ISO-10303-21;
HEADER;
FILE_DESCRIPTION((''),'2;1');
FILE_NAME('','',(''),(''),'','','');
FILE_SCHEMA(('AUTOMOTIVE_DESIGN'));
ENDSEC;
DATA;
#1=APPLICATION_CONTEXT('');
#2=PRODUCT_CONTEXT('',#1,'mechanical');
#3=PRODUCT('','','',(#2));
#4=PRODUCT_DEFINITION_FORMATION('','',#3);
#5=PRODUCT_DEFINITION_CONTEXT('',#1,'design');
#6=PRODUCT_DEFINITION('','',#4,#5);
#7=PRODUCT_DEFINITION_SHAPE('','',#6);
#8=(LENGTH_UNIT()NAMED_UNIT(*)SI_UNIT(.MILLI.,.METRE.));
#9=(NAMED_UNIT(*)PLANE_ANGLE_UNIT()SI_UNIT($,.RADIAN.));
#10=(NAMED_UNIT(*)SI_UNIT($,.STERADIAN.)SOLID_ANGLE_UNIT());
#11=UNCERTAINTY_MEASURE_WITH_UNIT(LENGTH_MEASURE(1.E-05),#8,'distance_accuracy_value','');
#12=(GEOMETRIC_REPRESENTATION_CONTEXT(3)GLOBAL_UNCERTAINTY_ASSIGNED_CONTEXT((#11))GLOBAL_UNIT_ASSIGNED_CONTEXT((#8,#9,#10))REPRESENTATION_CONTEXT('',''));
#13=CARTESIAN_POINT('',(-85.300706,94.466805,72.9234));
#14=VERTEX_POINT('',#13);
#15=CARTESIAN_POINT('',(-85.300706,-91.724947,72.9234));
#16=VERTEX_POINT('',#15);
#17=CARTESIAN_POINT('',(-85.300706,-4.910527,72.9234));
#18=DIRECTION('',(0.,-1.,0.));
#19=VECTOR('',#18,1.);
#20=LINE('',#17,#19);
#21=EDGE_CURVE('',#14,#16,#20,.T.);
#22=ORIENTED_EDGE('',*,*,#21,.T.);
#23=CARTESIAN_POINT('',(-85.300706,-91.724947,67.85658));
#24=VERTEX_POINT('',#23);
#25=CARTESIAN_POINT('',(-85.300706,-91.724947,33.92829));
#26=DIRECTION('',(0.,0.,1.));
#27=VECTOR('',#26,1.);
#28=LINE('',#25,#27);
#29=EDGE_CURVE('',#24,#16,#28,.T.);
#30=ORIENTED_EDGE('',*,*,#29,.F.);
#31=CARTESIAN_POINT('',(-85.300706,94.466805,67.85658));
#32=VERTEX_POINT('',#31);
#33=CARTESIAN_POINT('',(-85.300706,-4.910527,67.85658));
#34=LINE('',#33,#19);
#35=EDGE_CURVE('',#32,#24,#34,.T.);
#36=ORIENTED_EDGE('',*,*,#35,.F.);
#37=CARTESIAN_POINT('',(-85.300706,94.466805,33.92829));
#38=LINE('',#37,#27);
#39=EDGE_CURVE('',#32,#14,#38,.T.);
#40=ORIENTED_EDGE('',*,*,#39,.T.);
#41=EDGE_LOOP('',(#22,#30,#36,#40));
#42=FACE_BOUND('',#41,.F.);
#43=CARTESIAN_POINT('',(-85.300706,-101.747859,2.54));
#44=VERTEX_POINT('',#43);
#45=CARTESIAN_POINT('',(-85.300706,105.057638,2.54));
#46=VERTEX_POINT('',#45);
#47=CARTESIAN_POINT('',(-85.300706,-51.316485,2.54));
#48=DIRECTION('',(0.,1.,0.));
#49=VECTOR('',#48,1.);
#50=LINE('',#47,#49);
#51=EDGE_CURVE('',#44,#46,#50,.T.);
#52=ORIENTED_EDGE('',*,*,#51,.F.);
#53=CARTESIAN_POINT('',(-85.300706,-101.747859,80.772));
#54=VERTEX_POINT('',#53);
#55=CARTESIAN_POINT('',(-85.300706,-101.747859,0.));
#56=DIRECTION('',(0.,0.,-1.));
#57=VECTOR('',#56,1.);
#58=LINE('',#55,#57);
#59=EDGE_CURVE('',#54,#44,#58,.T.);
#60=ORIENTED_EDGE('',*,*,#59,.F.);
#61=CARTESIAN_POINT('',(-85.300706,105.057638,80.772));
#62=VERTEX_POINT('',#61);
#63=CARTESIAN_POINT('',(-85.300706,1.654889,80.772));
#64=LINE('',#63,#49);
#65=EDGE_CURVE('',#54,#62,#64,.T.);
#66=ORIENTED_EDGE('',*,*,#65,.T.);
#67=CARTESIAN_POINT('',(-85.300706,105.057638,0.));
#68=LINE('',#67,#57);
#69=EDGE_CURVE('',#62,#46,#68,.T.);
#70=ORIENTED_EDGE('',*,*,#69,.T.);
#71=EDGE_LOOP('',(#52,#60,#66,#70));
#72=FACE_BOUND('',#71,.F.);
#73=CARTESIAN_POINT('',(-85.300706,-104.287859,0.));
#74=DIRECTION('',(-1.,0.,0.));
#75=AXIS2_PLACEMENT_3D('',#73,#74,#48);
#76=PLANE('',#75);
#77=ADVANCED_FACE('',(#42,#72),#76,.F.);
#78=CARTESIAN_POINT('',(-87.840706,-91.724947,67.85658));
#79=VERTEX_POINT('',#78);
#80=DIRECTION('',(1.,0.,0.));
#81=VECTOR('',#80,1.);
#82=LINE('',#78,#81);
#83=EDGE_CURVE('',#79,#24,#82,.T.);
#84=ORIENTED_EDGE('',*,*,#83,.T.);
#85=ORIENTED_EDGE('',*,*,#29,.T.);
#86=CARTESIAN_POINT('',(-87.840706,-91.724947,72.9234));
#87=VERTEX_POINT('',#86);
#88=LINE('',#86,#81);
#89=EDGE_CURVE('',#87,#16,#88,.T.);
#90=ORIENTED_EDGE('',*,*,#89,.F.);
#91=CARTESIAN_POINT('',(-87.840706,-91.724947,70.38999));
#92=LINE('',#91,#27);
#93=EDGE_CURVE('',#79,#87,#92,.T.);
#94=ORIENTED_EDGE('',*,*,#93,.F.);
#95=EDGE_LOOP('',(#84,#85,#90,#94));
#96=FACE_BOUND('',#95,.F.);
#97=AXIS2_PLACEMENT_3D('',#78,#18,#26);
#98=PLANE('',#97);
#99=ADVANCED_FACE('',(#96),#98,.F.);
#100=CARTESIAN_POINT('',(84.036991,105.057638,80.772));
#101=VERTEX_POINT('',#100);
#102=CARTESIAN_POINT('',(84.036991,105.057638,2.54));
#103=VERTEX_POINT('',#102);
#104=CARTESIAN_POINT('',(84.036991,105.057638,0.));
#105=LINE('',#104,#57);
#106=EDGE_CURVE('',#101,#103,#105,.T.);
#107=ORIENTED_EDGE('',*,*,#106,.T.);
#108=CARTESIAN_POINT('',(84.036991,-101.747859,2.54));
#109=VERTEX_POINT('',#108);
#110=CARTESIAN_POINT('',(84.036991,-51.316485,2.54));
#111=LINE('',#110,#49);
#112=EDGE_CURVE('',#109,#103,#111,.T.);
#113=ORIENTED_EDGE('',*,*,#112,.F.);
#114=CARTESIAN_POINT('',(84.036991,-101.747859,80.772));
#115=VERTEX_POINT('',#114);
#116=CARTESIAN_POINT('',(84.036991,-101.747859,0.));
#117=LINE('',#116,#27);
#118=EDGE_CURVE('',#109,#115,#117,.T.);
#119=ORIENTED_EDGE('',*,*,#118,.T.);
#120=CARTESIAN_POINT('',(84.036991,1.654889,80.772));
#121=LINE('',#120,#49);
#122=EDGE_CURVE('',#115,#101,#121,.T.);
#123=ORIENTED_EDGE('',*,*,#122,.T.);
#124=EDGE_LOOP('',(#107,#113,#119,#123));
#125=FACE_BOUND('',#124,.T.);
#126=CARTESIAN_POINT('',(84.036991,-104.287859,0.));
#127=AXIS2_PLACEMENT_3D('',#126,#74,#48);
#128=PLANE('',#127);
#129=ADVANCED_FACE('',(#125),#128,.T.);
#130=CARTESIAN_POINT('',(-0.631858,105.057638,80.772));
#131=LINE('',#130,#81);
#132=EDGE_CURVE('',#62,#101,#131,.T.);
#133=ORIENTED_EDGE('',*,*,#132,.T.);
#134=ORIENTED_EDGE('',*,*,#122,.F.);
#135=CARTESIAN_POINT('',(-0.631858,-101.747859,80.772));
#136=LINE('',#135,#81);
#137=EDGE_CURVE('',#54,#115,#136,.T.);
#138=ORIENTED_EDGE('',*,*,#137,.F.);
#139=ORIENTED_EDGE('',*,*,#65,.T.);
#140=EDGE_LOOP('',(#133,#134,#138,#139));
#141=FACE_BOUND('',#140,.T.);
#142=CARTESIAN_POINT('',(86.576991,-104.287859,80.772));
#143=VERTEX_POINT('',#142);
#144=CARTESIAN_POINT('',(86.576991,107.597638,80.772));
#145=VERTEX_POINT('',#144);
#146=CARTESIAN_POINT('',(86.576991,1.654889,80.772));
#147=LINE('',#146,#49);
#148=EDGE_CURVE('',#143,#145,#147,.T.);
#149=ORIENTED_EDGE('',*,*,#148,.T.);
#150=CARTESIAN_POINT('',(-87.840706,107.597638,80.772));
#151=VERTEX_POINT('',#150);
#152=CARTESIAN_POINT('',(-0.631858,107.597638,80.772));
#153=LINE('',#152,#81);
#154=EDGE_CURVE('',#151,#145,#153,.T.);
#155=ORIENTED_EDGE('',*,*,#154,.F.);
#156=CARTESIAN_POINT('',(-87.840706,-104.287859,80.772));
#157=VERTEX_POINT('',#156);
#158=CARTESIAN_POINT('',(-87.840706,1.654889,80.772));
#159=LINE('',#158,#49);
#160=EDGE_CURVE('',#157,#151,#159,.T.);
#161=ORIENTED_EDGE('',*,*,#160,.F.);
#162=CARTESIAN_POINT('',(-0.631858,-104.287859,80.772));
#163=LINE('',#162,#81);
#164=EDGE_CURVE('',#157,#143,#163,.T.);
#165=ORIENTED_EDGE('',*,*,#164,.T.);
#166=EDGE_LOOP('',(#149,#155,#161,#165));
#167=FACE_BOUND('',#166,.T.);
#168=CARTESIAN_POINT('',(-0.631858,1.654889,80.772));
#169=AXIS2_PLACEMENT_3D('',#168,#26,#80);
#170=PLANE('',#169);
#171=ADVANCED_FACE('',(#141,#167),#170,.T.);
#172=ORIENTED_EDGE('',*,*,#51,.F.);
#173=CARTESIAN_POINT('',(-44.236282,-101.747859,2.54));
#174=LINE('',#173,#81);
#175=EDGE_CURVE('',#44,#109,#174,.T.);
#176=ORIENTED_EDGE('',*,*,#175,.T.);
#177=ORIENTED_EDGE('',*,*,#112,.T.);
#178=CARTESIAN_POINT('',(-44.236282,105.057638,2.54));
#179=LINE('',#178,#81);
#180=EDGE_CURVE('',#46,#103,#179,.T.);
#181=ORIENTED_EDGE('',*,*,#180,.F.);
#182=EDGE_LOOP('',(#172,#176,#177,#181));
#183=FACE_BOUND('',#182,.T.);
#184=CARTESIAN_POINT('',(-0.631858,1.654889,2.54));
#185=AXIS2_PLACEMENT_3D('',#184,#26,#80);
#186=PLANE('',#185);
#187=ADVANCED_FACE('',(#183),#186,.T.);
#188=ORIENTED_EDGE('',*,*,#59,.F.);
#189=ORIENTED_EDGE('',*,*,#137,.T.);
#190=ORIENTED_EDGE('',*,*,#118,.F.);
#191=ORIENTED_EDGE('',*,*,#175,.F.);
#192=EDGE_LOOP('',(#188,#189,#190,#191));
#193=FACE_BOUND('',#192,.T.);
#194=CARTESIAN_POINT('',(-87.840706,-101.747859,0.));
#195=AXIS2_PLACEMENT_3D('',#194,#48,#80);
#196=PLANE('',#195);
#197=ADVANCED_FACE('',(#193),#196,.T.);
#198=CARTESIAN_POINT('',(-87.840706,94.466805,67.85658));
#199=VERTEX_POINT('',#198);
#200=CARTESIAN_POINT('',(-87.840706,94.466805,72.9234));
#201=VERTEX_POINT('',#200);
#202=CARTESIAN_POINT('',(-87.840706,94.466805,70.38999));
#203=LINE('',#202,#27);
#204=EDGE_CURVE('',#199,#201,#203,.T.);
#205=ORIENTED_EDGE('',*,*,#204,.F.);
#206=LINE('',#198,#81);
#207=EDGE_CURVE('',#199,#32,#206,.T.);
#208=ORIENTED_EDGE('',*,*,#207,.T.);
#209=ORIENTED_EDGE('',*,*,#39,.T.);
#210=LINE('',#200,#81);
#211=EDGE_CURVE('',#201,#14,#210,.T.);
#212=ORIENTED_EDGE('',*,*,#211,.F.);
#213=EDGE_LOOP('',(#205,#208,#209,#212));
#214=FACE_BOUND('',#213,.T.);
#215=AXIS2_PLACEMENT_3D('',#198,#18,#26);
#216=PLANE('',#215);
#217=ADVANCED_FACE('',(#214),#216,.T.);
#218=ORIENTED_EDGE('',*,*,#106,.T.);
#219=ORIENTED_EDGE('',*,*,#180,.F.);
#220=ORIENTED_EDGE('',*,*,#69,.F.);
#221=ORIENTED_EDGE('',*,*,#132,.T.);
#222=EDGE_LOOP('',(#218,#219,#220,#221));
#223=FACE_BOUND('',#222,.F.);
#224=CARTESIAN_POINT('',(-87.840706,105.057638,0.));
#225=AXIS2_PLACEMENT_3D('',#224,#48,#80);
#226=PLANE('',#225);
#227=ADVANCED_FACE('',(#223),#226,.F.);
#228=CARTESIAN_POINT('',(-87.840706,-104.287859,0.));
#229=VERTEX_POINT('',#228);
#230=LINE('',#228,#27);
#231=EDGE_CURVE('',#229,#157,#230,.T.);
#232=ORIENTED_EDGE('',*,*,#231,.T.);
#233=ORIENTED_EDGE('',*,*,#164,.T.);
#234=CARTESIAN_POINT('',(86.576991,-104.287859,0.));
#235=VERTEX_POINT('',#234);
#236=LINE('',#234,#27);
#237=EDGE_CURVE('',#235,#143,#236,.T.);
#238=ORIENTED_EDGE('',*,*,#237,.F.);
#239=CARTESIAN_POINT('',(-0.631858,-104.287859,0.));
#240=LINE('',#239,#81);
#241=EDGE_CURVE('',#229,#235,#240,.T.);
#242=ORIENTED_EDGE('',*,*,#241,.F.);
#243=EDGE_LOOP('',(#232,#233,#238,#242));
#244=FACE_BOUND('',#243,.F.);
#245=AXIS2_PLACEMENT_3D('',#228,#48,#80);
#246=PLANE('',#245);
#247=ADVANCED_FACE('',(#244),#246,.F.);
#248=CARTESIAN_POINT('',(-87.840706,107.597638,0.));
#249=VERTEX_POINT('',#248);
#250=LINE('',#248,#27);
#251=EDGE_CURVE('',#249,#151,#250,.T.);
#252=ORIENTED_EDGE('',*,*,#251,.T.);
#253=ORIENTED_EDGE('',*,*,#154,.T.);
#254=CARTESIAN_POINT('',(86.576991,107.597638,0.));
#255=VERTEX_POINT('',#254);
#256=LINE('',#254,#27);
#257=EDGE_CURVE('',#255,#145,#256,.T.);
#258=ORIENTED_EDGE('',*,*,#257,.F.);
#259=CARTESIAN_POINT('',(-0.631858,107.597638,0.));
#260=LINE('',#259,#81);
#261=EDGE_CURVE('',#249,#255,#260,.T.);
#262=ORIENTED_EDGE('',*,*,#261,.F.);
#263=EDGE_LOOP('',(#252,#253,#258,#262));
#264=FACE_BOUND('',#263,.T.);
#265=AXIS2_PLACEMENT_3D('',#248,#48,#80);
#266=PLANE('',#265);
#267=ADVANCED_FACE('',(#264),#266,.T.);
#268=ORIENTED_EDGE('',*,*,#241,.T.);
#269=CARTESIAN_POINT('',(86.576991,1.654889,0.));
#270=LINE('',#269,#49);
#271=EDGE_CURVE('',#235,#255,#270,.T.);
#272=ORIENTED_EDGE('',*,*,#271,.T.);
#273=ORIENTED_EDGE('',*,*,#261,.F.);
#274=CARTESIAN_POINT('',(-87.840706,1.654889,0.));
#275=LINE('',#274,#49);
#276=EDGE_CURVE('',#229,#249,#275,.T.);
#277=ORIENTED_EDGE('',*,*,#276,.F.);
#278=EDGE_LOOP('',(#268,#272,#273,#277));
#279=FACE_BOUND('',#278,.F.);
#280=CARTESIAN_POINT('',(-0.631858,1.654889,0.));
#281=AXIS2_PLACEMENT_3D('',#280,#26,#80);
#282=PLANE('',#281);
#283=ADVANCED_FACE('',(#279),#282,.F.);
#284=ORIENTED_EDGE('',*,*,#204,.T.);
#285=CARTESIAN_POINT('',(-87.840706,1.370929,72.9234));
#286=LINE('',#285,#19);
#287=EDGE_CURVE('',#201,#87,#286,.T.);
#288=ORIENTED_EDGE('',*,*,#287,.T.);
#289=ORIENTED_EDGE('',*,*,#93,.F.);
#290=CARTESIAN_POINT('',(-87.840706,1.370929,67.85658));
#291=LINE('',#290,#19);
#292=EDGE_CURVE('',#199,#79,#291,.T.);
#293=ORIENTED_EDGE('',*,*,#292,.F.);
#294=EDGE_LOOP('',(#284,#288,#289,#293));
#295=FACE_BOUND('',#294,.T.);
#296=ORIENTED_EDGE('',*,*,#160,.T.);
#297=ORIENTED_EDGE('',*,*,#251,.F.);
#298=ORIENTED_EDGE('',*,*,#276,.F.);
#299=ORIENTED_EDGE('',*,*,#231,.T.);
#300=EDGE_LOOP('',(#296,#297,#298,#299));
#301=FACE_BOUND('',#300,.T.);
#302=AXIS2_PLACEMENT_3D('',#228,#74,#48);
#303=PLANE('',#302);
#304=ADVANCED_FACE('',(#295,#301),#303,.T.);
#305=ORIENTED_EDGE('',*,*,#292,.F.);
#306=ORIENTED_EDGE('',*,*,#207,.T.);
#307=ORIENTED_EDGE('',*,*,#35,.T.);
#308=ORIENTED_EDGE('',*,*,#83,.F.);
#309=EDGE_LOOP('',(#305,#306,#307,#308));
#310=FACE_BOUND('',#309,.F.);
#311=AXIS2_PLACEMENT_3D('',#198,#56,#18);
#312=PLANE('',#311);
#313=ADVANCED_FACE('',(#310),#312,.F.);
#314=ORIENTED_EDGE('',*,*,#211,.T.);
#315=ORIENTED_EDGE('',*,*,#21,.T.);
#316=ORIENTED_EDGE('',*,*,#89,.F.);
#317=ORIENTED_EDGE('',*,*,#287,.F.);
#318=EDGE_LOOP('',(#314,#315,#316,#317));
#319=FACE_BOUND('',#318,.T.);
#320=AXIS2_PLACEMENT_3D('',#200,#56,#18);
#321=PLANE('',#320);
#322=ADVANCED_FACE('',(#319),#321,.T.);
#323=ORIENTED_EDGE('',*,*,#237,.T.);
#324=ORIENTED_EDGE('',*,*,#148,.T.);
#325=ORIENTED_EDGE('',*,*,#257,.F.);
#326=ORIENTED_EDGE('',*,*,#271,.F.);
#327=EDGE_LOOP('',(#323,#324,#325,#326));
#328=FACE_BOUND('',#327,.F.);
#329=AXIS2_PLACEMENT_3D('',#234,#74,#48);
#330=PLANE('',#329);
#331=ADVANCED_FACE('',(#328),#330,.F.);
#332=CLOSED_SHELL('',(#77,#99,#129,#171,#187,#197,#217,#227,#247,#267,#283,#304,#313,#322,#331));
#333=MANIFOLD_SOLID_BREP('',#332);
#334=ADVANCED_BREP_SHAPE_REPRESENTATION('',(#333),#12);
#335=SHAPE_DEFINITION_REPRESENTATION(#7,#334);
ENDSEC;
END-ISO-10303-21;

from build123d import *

# Parameters (mm, degrees)
F0_W     = 174.4176968932
F0_H     = 211.885496974
F1_DEPTH = 80.772
F2_T     = -2.54
F3_W     = 186.191752553
F3_H     = 5.066819489
F4_DEPTH = 11.938


with BuildPart() as f1:
    # F0 (on Top) → F1 (new body)
    with BuildSketch(Plane.XY):
        with Locations((-0.6318576634, 1.6548894346)):
            Rectangle(F0_W, F0_H)
    extrude(amount=F1_DEPTH)

    # F2
    f2_openings = [f1.faces().sort_by_distance(p)[0] for p in [
        (-0.631858, 1.654889, 80.772),
    ]]
    offset(amount=F2_T, openings=f2_openings)

    # F3 (on face) → F4 (cut)
    with BuildSketch(Plane(origin=(-87.84070611, 0, 0), x_dir=(0, -1, 0), z_dir=(-1, 0, 0))):
        with Locations((-1.3709291816, 70.3899897635)):
            Rectangle(F3_W, F3_H)
    extrude(amount=-F4_DEPTH, mode=Mode.SUBTRACT)


solid = f1.part
